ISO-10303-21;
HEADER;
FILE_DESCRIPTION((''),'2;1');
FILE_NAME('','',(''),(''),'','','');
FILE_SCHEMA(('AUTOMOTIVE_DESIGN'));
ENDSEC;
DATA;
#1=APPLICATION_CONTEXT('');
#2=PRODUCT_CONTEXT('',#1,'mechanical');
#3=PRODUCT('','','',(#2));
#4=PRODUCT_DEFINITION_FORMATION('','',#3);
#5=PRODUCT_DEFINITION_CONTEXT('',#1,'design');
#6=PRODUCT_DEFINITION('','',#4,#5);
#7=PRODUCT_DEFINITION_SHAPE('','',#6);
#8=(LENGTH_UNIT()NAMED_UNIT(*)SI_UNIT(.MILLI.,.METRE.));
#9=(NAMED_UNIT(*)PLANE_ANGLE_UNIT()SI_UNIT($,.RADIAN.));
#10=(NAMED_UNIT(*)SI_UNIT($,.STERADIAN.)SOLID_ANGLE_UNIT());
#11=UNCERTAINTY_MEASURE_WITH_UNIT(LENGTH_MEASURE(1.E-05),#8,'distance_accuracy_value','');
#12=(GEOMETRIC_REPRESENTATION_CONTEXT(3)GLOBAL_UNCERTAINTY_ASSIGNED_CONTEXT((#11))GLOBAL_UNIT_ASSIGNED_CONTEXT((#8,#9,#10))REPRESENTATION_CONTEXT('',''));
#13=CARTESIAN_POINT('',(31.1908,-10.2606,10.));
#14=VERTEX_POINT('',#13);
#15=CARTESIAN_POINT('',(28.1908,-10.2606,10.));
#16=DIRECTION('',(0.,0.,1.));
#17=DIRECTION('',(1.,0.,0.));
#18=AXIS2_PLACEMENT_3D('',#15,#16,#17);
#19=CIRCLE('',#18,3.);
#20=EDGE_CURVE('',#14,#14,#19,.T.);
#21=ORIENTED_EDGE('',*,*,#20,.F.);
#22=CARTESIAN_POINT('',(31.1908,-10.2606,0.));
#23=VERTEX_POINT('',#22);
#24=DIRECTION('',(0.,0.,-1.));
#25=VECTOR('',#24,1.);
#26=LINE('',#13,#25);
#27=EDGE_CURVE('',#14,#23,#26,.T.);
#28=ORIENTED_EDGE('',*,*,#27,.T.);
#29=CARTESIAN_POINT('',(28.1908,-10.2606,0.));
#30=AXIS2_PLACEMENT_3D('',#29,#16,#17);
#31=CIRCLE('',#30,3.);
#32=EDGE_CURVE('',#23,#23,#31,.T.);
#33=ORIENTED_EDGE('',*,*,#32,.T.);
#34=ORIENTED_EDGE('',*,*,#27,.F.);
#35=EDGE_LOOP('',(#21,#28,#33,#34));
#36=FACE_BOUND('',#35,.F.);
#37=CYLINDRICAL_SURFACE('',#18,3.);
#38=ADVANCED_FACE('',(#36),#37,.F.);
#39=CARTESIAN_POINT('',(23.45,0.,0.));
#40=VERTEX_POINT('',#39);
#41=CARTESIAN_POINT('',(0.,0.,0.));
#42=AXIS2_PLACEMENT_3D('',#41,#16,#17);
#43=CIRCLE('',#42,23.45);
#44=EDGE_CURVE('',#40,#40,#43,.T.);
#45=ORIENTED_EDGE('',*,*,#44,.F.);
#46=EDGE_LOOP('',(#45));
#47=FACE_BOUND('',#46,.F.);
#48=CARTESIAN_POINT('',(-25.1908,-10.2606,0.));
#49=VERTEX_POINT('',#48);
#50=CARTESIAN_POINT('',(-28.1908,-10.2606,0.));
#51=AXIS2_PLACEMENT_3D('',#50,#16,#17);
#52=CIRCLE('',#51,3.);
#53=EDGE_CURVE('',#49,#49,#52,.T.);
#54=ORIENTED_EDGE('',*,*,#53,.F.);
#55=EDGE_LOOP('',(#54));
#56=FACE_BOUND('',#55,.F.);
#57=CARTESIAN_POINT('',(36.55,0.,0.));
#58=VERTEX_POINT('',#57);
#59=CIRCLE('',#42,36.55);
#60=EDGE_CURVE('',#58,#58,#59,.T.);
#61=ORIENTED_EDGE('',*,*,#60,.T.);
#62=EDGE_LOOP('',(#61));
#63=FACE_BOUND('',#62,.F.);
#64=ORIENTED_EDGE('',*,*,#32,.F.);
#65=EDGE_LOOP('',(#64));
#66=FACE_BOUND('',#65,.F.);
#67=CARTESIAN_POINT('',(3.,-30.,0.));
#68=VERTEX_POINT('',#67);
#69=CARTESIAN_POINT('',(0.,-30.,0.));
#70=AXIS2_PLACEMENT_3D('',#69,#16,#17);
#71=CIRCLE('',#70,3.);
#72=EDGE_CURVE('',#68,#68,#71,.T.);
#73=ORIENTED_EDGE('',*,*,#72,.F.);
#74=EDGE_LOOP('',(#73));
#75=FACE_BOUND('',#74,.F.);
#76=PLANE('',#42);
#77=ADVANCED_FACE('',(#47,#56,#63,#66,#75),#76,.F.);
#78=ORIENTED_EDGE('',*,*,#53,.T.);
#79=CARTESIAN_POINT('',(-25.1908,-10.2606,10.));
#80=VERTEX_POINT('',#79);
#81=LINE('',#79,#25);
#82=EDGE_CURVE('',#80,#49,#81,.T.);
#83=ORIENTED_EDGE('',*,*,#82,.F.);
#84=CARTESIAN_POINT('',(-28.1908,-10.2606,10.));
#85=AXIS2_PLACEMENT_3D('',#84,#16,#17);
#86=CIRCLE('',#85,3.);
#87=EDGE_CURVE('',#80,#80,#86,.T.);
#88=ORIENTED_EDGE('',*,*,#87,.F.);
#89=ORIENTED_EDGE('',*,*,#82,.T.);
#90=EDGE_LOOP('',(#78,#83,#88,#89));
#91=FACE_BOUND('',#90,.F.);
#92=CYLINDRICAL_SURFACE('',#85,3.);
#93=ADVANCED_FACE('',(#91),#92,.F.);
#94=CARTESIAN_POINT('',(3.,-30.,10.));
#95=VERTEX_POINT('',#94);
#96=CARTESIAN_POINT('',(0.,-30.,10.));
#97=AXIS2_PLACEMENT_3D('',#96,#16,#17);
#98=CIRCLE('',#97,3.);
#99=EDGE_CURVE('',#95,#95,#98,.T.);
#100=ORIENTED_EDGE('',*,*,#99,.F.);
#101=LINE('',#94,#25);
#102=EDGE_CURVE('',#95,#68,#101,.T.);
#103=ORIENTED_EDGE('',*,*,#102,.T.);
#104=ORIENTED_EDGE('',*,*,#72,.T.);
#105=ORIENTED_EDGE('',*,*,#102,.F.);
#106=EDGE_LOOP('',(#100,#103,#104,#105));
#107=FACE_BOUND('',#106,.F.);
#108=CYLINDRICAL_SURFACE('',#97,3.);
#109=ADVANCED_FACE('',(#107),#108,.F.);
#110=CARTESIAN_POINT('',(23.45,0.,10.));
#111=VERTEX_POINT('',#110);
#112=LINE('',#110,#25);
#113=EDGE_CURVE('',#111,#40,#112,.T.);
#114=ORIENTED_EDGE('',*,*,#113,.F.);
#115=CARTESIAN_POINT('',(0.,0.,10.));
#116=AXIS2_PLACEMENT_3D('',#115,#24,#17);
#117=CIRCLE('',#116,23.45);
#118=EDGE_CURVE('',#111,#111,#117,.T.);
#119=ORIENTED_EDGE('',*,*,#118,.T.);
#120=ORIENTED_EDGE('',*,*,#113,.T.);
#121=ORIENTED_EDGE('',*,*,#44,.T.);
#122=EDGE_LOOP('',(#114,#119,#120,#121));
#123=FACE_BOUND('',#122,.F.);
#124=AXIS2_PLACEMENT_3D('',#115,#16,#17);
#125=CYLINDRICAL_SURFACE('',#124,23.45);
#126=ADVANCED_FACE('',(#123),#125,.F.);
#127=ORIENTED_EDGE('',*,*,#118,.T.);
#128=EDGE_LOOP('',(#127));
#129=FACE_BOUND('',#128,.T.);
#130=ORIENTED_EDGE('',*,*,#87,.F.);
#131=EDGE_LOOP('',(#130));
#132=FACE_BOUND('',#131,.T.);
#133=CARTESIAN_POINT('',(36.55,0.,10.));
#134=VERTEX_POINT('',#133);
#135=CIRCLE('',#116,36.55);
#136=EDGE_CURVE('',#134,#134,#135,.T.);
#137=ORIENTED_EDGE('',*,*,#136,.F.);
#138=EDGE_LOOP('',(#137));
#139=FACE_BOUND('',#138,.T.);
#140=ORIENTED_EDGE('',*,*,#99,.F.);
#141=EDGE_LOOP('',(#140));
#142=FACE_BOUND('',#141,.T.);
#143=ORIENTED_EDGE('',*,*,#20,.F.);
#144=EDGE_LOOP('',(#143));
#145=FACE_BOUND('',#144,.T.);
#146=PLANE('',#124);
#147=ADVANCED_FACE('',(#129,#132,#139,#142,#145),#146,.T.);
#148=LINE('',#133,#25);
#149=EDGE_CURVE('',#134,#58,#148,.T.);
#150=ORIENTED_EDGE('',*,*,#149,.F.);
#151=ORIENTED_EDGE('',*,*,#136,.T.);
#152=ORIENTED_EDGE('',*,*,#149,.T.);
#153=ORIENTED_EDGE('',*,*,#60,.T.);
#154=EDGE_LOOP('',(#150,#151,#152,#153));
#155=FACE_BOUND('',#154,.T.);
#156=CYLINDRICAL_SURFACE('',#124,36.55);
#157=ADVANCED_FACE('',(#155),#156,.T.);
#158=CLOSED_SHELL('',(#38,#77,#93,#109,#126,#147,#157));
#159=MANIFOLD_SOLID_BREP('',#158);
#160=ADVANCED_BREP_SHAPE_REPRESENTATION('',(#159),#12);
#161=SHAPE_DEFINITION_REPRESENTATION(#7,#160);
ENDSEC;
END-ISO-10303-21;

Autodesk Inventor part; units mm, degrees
ref_plane "YZ Plane" through (0, 0, 0) normal (1, 0, 0) x (0, 1, 0)
ref_plane "XZ Plane" through (0, 0, 0) normal (0, 1, 0) x (-1, 0, 0)
ref_plane "XY Plane" through (0, 0, 0) normal (0, 0, 1) x (1, 0, 0)
sketch "スケッチ1" plane through (0, 0, 0) normal (0, 0, 1) x (1, 0, 0)
  arc A0 (-23.45, 0) -> (23.45, 0) centre (0, 0) ccw
  arc A1 (-36.55, 0) -> (36.55, 0) centre (0, 0) ccw
  circle A2 centre (0, -30) radius 2.55
  circle A3 centre (28.1908, -10.2606) radius 2.55
  circle A4 centre (-28.1908, -10.2606) radius 2.55
  line L0 (0, 0) -> (-28.1908, -10.2606) construction
  line L1 (0, 0) -> (28.1908, -10.2606) construction
  line L2 (-48.309, 0) -> (65.7551, 0)
  dimension "d0" = 46.9
  dimension "d1" = 73.1
  dimension "d2" = 5.1
  dimension "d3" = 5.1
  dimension "d4" = 5.1
  dimension "d5" = 30
  dimension "d6" = 30
  dimension "d7" = 30
  dimension "d9" = 20
  dimension "d10" = 20
extrude "押し出し1" add sketch "スケッチ1" along normal blind 10 contours A0 L2 A1
fillet "フィレット1" radius 2 4 edges at (36.55, 0, 5) (23.45, 0, 5) (-23.45, 0, 5) (-36.55, 0, 5)
sketch "スケッチ3" plane through (0, 0, 10) normal (0, 0, 1) x (1, 0, 0)
  circle A0 centre (0, 0) radius 23.45
  circle A1 centre (0, 0) radius 36.55
  circle A2 centre (28.1908, -10.2606) radius 2.55 projected
  circle A3 centre (28.1908, -10.2606) radius 2.55
  circle A4 centre (0, -30) radius 2.55 projected
  circle A5 centre (0, -30) radius 2.55
  circle A6 centre (-28.1908, -10.2606) radius 2.55 projected
  circle A7 centre (-28.1908, -10.2606) radius 2.55
extrude "押し出し3" add sketch "スケッチ3" against normal blind 10
sketch "スケッチ5" plane through (0, 0, 10) normal (0, 0, 1) x (1, 0, 0)
  circle A0 centre (-28.1908, -10.2606) radius 2.55 projected
  circle A1 centre (-28.1908, -10.2606) radius 3
  circle A2 centre (0, -30) radius 2.55 projected
  circle A3 centre (0, -30) radius 3
  circle A4 centre (28.1908, -10.2606) radius 2.55 projected
  circle A5 centre (28.1908, -10.2606) radius 3
  point P0 (0, 0)
  dimension "d22" = 6
  dimension "d23" = 6
  dimension "d24" = 6
extrude "押し出し5" cut sketch "スケッチ5" against normal through all
properties part number "半円 穴あり"
